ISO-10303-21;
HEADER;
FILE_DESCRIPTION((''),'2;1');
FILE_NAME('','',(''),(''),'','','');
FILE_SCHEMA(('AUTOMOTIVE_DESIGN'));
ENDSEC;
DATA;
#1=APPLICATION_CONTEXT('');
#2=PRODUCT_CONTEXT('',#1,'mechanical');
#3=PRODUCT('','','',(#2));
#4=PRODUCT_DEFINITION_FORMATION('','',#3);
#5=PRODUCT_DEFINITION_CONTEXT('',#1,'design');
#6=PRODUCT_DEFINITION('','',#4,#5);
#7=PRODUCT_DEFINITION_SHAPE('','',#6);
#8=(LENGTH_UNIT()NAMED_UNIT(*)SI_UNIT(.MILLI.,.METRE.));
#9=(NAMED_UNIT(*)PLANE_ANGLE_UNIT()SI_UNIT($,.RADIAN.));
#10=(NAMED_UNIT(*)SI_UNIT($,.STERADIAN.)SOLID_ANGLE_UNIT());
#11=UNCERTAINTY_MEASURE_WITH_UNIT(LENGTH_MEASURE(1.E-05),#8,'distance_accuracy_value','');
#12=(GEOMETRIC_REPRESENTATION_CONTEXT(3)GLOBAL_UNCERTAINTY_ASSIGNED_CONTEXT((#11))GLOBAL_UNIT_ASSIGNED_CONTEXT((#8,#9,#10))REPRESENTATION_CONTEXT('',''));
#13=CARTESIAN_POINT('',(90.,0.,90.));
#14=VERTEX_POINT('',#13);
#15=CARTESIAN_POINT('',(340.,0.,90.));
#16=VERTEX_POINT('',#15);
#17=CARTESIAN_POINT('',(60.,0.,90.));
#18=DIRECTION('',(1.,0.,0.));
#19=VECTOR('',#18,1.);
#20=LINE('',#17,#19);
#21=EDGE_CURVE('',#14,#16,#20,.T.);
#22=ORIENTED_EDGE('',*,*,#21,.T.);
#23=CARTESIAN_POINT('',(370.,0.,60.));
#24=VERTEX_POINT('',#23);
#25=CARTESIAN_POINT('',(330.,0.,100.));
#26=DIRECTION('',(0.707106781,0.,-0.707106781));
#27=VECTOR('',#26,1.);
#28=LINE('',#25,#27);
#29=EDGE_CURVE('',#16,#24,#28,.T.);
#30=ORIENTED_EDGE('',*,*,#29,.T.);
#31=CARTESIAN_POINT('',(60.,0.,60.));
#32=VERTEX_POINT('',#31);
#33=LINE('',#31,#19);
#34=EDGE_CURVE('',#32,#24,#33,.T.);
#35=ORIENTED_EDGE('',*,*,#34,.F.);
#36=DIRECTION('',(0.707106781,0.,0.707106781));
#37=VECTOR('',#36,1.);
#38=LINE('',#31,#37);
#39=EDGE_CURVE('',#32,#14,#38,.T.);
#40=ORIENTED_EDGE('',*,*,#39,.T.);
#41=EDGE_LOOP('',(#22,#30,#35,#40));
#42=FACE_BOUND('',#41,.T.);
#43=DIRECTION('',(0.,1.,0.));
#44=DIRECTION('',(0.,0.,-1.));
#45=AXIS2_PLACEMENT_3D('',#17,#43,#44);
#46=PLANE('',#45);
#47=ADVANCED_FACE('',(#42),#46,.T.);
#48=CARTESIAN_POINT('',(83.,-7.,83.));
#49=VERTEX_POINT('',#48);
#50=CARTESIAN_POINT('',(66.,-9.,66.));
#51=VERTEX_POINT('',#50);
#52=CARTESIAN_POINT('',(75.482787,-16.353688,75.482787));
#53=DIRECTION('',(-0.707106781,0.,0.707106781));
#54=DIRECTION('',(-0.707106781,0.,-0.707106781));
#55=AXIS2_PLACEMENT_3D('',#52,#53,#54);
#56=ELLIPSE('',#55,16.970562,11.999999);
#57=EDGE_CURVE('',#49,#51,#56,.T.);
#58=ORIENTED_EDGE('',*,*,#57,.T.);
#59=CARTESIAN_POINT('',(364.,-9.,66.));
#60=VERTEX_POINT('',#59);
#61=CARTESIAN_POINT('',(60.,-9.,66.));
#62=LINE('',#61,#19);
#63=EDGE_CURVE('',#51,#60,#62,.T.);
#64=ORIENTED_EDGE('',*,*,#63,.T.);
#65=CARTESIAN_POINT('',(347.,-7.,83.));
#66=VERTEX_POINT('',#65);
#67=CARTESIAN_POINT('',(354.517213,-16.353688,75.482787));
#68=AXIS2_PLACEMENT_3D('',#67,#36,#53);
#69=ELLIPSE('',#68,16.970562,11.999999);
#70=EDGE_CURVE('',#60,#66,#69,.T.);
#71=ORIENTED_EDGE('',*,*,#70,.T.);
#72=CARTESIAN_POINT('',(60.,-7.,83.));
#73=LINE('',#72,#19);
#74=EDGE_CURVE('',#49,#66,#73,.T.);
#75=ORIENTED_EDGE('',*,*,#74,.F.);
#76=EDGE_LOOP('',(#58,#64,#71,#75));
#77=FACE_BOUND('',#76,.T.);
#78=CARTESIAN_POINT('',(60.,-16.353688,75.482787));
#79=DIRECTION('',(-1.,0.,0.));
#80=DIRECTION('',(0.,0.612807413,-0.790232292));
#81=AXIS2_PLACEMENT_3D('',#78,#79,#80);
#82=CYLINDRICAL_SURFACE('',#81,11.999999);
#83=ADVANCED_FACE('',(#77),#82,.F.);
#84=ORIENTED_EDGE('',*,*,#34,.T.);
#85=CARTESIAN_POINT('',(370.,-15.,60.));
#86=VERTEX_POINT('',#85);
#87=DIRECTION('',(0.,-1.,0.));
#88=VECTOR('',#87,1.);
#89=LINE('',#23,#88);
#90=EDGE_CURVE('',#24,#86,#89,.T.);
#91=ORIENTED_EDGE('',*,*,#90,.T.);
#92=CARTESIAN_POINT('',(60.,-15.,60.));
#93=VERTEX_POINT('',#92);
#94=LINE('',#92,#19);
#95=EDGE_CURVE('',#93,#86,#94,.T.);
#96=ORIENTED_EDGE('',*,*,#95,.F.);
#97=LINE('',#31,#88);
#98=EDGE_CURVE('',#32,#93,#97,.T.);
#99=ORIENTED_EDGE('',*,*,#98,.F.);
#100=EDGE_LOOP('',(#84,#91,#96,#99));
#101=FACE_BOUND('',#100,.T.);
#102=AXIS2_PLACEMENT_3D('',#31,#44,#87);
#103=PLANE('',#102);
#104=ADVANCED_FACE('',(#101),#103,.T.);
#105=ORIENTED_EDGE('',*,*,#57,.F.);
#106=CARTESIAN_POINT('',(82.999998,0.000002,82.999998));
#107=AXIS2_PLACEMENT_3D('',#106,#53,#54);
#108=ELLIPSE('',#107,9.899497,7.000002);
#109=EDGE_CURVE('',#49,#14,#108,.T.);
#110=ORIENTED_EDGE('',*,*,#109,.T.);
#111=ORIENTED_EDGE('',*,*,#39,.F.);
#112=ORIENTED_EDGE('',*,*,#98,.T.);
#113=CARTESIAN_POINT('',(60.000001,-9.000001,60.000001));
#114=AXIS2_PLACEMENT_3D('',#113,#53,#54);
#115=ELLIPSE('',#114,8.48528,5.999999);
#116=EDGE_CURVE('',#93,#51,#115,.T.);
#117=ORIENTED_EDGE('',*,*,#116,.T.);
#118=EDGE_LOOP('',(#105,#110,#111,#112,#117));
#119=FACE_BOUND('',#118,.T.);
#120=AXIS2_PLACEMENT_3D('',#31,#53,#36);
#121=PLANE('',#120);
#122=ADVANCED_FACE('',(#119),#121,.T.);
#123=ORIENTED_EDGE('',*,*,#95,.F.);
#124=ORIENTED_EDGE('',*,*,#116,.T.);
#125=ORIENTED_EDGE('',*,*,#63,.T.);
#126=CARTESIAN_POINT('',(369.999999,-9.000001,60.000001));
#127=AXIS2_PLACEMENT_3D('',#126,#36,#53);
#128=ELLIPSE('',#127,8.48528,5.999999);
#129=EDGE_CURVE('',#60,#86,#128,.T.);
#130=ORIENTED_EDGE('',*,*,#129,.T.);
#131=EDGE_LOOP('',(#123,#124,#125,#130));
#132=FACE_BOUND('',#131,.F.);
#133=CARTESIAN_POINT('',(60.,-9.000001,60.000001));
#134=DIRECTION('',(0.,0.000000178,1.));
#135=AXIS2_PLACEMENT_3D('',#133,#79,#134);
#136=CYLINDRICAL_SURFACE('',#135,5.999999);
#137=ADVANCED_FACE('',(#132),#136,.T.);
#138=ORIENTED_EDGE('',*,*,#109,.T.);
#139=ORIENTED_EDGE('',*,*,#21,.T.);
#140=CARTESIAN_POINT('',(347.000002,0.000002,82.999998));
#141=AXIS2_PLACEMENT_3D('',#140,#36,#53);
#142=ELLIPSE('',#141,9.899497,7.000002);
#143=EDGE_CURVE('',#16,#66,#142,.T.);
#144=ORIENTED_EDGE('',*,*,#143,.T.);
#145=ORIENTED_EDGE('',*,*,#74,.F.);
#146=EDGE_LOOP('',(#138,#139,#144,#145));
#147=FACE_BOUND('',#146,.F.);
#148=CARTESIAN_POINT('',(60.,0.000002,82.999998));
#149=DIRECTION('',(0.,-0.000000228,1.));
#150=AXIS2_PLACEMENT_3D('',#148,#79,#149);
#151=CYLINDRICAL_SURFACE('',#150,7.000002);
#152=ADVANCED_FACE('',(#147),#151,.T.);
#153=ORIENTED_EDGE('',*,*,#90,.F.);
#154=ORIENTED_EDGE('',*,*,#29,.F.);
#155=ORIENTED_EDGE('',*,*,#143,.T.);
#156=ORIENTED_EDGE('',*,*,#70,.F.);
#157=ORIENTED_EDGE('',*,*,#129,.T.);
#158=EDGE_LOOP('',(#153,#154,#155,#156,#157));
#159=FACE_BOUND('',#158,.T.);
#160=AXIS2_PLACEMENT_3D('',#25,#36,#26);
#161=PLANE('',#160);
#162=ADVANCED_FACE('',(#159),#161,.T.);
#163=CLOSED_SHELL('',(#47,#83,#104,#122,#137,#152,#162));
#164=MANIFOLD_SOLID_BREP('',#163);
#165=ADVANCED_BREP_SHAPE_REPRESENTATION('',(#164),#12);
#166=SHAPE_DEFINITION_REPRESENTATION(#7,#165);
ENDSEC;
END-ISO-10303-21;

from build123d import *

# Parameters (mm, degrees)
PAD008_DEPTH = 40
PAD007_DEPTH = 40
PAD_DEPTH    = 310


with BuildPart() as body_decoration_bottom_cut_right:
    # Sketch008 → Pad008 (new body)
    with BuildSketch(Plane(origin=(370, 0, 60), x_dir=(1, 0, 0), z_dir=(0, -1, 0))):
        Polygon((-40, 40), (0, 0), (0, 40), align=None)
    extrude(amount=PAD008_DEPTH)


with BuildPart() as body_decoration_bottom_cut_left:
    # Sketch007 → Pad007 (new body)
    with BuildSketch(Plane(origin=(60, 0, 60), x_dir=(1, 0, 0), z_dir=(0, -1, 0))):
        Polygon((0, 0), (40, 40), (0, 40), align=None)
    extrude(amount=PAD007_DEPTH)


with BuildPart() as cut_decoration_bottom:
    # Sketch → Pad (new body)
    with BuildSketch(Plane(origin=(60, 0, 60), x_dir=(0, 1, 0), z_dir=(1, 0, 0))):
        with BuildLine():
            Line((0, 30), (0, 0))
            Line((0, 0), (-15, 0))
            ThreePointArc((-9, 6), (-13.242641, 4.242641), (-15, 0))
            ThreePointArc((-9, 6), (-4.435882, 14.080692), (-7, 23))
            ThreePointArc((0, 30), (-4.949747, 27.949747), (-7, 23))
        make_face()
    extrude(amount=PAD_DEPTH)

    # Cut: cut Body, Decoration, Bottom, Cut, Left
    add(body_decoration_bottom_cut_left.part, mode=Mode.SUBTRACT)

    # Cut001: cut Body, Decoration, Bottom, Cut, Right
    add(body_decoration_bottom_cut_right.part, mode=Mode.SUBTRACT)


solid = cut_decoration_bottom.part
